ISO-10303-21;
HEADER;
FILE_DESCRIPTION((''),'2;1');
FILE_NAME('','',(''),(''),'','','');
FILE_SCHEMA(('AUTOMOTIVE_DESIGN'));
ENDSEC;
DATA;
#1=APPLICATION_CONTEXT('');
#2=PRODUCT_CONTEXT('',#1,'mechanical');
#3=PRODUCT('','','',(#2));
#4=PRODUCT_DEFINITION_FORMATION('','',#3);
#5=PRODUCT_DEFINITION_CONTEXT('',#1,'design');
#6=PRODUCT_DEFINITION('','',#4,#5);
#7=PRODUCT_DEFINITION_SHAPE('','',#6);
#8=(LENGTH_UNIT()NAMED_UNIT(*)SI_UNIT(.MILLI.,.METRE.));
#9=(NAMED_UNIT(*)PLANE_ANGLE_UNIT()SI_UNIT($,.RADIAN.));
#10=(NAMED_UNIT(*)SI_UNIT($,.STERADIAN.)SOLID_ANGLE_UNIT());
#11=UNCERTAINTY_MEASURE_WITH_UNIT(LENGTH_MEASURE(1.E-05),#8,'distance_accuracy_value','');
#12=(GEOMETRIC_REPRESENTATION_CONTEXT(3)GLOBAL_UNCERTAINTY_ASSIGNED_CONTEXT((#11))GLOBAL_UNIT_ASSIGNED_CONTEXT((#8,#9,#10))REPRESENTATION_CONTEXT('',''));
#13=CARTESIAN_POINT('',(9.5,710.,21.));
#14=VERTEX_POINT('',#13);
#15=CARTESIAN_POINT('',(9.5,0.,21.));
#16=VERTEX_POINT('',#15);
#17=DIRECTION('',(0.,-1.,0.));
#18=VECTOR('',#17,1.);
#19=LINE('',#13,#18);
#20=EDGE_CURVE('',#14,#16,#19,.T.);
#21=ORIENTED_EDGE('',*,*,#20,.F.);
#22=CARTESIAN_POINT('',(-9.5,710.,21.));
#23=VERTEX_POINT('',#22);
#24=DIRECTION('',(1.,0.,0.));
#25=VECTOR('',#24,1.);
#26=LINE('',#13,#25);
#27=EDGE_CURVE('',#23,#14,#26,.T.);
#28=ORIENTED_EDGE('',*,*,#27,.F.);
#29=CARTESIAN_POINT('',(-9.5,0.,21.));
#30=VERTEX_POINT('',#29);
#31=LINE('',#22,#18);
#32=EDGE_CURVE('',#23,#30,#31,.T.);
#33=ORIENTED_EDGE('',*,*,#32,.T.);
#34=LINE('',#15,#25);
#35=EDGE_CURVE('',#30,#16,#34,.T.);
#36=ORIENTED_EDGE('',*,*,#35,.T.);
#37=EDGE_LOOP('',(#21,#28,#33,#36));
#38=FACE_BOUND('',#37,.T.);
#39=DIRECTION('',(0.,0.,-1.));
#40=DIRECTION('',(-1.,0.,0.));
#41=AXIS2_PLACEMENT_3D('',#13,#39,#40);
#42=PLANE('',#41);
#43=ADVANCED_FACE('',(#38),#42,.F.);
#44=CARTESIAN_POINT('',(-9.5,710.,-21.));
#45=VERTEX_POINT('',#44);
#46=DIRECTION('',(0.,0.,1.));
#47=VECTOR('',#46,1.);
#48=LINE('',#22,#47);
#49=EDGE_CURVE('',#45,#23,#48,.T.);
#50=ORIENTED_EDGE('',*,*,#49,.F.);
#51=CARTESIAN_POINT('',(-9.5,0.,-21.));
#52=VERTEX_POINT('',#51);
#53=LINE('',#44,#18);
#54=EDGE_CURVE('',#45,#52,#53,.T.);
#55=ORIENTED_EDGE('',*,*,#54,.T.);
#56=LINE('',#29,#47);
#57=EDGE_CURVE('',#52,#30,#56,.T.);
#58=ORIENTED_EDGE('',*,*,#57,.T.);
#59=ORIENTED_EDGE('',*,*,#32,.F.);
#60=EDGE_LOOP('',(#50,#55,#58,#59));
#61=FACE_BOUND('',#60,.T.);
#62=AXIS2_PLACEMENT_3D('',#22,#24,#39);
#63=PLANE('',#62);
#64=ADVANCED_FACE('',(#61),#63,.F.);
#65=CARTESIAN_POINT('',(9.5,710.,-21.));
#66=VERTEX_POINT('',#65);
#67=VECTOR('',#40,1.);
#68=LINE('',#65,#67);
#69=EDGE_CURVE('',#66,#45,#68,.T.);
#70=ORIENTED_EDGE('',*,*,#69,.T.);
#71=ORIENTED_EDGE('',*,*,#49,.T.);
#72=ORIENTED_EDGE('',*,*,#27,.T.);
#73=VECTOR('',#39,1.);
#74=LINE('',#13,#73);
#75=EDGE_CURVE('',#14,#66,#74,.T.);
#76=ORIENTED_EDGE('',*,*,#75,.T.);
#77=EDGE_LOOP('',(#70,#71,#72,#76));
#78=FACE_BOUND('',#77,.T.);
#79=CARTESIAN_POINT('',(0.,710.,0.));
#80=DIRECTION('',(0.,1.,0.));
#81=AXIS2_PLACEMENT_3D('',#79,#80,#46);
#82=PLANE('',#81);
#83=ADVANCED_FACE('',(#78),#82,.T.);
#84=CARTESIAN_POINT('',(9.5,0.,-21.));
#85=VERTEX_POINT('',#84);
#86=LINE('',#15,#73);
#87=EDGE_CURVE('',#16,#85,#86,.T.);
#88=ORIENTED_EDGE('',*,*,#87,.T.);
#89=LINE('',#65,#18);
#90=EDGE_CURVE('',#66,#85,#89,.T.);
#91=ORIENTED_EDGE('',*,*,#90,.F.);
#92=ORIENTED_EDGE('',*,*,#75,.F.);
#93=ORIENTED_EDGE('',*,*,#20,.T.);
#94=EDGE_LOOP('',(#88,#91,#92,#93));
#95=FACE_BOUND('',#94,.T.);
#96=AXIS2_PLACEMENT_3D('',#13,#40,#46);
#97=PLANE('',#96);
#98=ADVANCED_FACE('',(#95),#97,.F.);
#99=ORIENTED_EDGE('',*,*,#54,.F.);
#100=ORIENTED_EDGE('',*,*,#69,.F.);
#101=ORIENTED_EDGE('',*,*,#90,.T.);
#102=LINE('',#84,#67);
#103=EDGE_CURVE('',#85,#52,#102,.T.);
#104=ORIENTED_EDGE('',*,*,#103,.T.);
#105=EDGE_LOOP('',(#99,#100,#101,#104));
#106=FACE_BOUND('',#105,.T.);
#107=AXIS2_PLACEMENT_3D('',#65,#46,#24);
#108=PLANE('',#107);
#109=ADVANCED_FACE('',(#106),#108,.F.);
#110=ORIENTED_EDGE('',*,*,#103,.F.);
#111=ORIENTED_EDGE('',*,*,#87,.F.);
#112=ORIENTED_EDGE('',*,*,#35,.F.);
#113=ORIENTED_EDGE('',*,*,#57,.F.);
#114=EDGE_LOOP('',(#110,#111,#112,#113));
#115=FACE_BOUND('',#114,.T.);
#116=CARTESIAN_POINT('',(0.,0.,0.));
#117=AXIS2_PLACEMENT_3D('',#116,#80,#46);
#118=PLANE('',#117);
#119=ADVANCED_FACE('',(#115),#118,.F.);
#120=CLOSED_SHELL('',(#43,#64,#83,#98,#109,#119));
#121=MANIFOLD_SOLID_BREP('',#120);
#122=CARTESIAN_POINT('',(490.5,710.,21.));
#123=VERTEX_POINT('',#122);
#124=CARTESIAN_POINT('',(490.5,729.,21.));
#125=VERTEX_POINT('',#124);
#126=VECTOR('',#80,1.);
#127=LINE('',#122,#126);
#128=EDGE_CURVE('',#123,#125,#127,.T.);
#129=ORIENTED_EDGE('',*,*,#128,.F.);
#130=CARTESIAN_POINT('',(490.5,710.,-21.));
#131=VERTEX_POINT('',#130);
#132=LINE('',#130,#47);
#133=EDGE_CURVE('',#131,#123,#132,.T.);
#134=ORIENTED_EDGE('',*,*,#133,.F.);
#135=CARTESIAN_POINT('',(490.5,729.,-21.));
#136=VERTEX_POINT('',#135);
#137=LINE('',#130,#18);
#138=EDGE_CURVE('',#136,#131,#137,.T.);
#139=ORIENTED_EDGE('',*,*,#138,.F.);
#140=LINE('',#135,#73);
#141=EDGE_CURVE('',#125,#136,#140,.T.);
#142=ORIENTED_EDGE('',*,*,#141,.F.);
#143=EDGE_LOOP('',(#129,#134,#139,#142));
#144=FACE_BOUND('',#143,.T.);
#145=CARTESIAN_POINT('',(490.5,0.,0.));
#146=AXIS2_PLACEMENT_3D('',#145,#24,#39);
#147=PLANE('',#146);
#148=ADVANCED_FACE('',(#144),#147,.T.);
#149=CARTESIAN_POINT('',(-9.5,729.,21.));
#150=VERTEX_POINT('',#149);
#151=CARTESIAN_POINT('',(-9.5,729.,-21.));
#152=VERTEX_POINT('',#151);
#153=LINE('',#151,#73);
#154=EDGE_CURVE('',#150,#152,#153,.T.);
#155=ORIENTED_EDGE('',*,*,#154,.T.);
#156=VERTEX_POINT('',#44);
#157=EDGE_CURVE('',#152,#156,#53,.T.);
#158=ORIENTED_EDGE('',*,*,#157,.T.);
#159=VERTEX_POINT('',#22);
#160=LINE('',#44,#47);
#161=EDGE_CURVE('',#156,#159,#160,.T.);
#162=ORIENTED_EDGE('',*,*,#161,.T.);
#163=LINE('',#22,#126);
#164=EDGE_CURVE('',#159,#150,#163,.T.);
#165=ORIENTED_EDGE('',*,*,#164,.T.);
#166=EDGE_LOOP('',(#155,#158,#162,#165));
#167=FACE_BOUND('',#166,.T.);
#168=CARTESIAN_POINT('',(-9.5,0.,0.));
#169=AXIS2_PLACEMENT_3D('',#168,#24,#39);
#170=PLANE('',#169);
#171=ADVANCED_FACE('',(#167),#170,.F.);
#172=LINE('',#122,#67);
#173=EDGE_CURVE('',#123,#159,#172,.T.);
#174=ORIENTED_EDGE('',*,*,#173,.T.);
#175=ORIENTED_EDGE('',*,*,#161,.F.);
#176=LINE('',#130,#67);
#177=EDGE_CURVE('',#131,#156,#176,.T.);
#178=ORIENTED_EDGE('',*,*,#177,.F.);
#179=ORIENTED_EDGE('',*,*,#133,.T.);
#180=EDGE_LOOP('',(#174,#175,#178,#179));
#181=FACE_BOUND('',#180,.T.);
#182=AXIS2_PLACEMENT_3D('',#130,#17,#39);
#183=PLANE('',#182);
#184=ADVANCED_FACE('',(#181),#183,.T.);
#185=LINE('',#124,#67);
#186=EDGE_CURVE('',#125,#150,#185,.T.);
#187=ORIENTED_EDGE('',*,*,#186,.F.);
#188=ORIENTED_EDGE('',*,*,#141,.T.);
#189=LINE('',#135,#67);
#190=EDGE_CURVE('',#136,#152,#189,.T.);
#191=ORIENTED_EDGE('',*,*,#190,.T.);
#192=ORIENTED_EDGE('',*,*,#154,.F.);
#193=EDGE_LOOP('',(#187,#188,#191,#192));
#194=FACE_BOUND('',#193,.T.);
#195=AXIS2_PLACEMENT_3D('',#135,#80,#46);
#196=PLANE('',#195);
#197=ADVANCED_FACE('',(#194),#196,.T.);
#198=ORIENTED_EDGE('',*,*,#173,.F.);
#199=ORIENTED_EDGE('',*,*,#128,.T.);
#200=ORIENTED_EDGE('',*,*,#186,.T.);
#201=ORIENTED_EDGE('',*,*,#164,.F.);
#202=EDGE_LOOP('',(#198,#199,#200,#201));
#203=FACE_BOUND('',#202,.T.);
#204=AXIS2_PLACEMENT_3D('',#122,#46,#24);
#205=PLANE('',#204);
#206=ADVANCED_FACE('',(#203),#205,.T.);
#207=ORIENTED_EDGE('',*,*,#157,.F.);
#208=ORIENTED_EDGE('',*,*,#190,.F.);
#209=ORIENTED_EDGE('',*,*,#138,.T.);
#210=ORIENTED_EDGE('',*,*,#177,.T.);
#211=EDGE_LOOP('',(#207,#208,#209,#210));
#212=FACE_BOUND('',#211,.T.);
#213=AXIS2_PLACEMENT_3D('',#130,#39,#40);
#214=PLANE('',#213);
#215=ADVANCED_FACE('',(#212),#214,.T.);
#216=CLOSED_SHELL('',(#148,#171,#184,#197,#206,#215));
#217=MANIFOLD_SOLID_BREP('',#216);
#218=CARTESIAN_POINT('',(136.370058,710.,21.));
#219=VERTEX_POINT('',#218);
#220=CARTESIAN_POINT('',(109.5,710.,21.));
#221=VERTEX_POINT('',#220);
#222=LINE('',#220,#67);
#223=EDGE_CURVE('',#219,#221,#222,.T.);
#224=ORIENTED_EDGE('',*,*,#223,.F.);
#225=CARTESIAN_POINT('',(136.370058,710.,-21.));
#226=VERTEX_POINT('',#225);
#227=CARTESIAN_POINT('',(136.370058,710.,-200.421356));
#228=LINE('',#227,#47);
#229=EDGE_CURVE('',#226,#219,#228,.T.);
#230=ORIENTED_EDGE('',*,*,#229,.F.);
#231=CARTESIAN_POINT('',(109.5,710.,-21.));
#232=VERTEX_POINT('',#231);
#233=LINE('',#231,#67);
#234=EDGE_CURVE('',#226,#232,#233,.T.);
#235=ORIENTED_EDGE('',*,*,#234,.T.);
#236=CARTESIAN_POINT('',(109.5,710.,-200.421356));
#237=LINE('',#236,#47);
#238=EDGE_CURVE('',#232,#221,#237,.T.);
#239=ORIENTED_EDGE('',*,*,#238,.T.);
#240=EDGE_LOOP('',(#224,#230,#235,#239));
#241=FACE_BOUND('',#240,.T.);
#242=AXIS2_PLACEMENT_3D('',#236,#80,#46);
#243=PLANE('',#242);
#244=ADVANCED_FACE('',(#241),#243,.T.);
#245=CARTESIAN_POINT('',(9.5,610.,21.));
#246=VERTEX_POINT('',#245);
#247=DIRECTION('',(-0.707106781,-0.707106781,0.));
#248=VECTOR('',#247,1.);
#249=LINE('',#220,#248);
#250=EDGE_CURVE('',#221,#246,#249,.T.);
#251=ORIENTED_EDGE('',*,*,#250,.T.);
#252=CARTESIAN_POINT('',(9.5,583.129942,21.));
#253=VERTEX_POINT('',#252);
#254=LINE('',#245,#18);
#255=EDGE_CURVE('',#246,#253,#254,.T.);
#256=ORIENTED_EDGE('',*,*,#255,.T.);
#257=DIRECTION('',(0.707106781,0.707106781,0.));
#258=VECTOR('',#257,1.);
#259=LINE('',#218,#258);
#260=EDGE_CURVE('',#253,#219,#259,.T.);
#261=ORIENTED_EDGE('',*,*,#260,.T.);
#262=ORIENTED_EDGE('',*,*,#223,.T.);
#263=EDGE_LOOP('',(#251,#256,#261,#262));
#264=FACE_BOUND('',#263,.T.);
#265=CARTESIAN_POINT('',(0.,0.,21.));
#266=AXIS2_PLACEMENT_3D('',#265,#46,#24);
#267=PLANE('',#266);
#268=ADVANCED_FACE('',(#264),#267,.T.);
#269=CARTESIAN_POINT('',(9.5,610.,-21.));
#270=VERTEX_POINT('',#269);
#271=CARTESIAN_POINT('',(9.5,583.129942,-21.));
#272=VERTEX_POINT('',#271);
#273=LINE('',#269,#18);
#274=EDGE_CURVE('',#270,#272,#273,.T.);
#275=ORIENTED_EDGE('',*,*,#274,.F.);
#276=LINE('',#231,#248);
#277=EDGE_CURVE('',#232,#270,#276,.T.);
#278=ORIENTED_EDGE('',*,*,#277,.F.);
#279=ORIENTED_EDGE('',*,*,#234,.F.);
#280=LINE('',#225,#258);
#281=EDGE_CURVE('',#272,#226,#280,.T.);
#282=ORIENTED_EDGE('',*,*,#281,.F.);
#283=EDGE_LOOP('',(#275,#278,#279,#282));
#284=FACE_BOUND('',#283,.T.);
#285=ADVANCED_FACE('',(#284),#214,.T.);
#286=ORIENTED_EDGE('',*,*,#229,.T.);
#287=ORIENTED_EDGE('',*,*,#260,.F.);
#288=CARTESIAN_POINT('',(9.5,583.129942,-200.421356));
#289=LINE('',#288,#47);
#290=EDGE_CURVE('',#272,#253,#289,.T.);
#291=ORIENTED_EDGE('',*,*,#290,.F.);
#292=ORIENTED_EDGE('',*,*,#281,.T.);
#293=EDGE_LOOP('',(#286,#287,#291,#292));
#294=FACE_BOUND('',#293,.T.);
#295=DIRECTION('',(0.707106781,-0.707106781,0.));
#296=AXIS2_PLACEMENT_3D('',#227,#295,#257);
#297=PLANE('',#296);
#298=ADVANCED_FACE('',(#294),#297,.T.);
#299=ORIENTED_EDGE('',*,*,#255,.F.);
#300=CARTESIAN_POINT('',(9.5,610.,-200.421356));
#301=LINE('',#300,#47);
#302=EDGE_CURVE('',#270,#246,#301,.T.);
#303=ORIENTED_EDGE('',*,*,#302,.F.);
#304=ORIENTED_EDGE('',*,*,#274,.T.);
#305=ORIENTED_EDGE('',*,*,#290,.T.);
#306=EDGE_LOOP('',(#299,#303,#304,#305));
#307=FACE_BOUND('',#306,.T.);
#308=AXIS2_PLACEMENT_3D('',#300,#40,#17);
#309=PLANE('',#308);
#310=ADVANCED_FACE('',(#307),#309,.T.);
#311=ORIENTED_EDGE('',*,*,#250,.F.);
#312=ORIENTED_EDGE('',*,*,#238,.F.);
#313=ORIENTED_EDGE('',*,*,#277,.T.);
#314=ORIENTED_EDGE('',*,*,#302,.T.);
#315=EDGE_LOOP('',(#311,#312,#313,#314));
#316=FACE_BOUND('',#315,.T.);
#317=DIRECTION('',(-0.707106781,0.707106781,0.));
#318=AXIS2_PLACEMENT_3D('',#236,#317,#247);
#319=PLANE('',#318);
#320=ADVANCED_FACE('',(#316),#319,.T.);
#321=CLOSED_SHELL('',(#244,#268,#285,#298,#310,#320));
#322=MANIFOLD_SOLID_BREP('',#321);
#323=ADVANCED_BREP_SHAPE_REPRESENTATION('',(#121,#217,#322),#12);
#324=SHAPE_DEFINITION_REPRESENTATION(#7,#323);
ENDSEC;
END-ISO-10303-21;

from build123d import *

# Parameters (mm, degrees)
CROQUIS1_W              = 19
CROQUIS1_H              = 42
SALIENTE_EXTRUIR1_DEPTH = 710
CROQUIS2_W              = 42
CROQUIS2_H              = 19
SALIENTE_EXTRUIR2_DEPTH = 500
SALIENTE_EXTRUIR3_DEPTH = 42


with BuildPart() as part:
    # Croquis1 → Saliente-Extruir1 (new body)
    with BuildSketch(Plane(origin=(0, 0, 0), x_dir=(1, 0, 0), z_dir=(0, 1, 0))):
        Rectangle(CROQUIS1_W, CROQUIS1_H)
    extrude(amount=SALIENTE_EXTRUIR1_DEPTH)


with BuildPart() as body_2:
    # Croquis2 → Saliente-Extruir2 (new body)
    with BuildSketch(Plane.ZY.offset(9.5)):
        with Locations((0, 719.5)):
            Rectangle(CROQUIS2_W, CROQUIS2_H)
    extrude(amount=-SALIENTE_EXTRUIR2_DEPTH)


with BuildPart() as body_3:
    # Croquis3 → Saliente-Extruir3 (new body)
    with BuildSketch(Plane.XY.offset(21)):
        Polygon((9.5, 610), (9.5, 583.129942315), (136.370057685, 710), (109.5, 710), align=None)
    extrude(amount=-SALIENTE_EXTRUIR3_DEPTH)


solid = Compound([part.part, body_2.part, body_3.part])
